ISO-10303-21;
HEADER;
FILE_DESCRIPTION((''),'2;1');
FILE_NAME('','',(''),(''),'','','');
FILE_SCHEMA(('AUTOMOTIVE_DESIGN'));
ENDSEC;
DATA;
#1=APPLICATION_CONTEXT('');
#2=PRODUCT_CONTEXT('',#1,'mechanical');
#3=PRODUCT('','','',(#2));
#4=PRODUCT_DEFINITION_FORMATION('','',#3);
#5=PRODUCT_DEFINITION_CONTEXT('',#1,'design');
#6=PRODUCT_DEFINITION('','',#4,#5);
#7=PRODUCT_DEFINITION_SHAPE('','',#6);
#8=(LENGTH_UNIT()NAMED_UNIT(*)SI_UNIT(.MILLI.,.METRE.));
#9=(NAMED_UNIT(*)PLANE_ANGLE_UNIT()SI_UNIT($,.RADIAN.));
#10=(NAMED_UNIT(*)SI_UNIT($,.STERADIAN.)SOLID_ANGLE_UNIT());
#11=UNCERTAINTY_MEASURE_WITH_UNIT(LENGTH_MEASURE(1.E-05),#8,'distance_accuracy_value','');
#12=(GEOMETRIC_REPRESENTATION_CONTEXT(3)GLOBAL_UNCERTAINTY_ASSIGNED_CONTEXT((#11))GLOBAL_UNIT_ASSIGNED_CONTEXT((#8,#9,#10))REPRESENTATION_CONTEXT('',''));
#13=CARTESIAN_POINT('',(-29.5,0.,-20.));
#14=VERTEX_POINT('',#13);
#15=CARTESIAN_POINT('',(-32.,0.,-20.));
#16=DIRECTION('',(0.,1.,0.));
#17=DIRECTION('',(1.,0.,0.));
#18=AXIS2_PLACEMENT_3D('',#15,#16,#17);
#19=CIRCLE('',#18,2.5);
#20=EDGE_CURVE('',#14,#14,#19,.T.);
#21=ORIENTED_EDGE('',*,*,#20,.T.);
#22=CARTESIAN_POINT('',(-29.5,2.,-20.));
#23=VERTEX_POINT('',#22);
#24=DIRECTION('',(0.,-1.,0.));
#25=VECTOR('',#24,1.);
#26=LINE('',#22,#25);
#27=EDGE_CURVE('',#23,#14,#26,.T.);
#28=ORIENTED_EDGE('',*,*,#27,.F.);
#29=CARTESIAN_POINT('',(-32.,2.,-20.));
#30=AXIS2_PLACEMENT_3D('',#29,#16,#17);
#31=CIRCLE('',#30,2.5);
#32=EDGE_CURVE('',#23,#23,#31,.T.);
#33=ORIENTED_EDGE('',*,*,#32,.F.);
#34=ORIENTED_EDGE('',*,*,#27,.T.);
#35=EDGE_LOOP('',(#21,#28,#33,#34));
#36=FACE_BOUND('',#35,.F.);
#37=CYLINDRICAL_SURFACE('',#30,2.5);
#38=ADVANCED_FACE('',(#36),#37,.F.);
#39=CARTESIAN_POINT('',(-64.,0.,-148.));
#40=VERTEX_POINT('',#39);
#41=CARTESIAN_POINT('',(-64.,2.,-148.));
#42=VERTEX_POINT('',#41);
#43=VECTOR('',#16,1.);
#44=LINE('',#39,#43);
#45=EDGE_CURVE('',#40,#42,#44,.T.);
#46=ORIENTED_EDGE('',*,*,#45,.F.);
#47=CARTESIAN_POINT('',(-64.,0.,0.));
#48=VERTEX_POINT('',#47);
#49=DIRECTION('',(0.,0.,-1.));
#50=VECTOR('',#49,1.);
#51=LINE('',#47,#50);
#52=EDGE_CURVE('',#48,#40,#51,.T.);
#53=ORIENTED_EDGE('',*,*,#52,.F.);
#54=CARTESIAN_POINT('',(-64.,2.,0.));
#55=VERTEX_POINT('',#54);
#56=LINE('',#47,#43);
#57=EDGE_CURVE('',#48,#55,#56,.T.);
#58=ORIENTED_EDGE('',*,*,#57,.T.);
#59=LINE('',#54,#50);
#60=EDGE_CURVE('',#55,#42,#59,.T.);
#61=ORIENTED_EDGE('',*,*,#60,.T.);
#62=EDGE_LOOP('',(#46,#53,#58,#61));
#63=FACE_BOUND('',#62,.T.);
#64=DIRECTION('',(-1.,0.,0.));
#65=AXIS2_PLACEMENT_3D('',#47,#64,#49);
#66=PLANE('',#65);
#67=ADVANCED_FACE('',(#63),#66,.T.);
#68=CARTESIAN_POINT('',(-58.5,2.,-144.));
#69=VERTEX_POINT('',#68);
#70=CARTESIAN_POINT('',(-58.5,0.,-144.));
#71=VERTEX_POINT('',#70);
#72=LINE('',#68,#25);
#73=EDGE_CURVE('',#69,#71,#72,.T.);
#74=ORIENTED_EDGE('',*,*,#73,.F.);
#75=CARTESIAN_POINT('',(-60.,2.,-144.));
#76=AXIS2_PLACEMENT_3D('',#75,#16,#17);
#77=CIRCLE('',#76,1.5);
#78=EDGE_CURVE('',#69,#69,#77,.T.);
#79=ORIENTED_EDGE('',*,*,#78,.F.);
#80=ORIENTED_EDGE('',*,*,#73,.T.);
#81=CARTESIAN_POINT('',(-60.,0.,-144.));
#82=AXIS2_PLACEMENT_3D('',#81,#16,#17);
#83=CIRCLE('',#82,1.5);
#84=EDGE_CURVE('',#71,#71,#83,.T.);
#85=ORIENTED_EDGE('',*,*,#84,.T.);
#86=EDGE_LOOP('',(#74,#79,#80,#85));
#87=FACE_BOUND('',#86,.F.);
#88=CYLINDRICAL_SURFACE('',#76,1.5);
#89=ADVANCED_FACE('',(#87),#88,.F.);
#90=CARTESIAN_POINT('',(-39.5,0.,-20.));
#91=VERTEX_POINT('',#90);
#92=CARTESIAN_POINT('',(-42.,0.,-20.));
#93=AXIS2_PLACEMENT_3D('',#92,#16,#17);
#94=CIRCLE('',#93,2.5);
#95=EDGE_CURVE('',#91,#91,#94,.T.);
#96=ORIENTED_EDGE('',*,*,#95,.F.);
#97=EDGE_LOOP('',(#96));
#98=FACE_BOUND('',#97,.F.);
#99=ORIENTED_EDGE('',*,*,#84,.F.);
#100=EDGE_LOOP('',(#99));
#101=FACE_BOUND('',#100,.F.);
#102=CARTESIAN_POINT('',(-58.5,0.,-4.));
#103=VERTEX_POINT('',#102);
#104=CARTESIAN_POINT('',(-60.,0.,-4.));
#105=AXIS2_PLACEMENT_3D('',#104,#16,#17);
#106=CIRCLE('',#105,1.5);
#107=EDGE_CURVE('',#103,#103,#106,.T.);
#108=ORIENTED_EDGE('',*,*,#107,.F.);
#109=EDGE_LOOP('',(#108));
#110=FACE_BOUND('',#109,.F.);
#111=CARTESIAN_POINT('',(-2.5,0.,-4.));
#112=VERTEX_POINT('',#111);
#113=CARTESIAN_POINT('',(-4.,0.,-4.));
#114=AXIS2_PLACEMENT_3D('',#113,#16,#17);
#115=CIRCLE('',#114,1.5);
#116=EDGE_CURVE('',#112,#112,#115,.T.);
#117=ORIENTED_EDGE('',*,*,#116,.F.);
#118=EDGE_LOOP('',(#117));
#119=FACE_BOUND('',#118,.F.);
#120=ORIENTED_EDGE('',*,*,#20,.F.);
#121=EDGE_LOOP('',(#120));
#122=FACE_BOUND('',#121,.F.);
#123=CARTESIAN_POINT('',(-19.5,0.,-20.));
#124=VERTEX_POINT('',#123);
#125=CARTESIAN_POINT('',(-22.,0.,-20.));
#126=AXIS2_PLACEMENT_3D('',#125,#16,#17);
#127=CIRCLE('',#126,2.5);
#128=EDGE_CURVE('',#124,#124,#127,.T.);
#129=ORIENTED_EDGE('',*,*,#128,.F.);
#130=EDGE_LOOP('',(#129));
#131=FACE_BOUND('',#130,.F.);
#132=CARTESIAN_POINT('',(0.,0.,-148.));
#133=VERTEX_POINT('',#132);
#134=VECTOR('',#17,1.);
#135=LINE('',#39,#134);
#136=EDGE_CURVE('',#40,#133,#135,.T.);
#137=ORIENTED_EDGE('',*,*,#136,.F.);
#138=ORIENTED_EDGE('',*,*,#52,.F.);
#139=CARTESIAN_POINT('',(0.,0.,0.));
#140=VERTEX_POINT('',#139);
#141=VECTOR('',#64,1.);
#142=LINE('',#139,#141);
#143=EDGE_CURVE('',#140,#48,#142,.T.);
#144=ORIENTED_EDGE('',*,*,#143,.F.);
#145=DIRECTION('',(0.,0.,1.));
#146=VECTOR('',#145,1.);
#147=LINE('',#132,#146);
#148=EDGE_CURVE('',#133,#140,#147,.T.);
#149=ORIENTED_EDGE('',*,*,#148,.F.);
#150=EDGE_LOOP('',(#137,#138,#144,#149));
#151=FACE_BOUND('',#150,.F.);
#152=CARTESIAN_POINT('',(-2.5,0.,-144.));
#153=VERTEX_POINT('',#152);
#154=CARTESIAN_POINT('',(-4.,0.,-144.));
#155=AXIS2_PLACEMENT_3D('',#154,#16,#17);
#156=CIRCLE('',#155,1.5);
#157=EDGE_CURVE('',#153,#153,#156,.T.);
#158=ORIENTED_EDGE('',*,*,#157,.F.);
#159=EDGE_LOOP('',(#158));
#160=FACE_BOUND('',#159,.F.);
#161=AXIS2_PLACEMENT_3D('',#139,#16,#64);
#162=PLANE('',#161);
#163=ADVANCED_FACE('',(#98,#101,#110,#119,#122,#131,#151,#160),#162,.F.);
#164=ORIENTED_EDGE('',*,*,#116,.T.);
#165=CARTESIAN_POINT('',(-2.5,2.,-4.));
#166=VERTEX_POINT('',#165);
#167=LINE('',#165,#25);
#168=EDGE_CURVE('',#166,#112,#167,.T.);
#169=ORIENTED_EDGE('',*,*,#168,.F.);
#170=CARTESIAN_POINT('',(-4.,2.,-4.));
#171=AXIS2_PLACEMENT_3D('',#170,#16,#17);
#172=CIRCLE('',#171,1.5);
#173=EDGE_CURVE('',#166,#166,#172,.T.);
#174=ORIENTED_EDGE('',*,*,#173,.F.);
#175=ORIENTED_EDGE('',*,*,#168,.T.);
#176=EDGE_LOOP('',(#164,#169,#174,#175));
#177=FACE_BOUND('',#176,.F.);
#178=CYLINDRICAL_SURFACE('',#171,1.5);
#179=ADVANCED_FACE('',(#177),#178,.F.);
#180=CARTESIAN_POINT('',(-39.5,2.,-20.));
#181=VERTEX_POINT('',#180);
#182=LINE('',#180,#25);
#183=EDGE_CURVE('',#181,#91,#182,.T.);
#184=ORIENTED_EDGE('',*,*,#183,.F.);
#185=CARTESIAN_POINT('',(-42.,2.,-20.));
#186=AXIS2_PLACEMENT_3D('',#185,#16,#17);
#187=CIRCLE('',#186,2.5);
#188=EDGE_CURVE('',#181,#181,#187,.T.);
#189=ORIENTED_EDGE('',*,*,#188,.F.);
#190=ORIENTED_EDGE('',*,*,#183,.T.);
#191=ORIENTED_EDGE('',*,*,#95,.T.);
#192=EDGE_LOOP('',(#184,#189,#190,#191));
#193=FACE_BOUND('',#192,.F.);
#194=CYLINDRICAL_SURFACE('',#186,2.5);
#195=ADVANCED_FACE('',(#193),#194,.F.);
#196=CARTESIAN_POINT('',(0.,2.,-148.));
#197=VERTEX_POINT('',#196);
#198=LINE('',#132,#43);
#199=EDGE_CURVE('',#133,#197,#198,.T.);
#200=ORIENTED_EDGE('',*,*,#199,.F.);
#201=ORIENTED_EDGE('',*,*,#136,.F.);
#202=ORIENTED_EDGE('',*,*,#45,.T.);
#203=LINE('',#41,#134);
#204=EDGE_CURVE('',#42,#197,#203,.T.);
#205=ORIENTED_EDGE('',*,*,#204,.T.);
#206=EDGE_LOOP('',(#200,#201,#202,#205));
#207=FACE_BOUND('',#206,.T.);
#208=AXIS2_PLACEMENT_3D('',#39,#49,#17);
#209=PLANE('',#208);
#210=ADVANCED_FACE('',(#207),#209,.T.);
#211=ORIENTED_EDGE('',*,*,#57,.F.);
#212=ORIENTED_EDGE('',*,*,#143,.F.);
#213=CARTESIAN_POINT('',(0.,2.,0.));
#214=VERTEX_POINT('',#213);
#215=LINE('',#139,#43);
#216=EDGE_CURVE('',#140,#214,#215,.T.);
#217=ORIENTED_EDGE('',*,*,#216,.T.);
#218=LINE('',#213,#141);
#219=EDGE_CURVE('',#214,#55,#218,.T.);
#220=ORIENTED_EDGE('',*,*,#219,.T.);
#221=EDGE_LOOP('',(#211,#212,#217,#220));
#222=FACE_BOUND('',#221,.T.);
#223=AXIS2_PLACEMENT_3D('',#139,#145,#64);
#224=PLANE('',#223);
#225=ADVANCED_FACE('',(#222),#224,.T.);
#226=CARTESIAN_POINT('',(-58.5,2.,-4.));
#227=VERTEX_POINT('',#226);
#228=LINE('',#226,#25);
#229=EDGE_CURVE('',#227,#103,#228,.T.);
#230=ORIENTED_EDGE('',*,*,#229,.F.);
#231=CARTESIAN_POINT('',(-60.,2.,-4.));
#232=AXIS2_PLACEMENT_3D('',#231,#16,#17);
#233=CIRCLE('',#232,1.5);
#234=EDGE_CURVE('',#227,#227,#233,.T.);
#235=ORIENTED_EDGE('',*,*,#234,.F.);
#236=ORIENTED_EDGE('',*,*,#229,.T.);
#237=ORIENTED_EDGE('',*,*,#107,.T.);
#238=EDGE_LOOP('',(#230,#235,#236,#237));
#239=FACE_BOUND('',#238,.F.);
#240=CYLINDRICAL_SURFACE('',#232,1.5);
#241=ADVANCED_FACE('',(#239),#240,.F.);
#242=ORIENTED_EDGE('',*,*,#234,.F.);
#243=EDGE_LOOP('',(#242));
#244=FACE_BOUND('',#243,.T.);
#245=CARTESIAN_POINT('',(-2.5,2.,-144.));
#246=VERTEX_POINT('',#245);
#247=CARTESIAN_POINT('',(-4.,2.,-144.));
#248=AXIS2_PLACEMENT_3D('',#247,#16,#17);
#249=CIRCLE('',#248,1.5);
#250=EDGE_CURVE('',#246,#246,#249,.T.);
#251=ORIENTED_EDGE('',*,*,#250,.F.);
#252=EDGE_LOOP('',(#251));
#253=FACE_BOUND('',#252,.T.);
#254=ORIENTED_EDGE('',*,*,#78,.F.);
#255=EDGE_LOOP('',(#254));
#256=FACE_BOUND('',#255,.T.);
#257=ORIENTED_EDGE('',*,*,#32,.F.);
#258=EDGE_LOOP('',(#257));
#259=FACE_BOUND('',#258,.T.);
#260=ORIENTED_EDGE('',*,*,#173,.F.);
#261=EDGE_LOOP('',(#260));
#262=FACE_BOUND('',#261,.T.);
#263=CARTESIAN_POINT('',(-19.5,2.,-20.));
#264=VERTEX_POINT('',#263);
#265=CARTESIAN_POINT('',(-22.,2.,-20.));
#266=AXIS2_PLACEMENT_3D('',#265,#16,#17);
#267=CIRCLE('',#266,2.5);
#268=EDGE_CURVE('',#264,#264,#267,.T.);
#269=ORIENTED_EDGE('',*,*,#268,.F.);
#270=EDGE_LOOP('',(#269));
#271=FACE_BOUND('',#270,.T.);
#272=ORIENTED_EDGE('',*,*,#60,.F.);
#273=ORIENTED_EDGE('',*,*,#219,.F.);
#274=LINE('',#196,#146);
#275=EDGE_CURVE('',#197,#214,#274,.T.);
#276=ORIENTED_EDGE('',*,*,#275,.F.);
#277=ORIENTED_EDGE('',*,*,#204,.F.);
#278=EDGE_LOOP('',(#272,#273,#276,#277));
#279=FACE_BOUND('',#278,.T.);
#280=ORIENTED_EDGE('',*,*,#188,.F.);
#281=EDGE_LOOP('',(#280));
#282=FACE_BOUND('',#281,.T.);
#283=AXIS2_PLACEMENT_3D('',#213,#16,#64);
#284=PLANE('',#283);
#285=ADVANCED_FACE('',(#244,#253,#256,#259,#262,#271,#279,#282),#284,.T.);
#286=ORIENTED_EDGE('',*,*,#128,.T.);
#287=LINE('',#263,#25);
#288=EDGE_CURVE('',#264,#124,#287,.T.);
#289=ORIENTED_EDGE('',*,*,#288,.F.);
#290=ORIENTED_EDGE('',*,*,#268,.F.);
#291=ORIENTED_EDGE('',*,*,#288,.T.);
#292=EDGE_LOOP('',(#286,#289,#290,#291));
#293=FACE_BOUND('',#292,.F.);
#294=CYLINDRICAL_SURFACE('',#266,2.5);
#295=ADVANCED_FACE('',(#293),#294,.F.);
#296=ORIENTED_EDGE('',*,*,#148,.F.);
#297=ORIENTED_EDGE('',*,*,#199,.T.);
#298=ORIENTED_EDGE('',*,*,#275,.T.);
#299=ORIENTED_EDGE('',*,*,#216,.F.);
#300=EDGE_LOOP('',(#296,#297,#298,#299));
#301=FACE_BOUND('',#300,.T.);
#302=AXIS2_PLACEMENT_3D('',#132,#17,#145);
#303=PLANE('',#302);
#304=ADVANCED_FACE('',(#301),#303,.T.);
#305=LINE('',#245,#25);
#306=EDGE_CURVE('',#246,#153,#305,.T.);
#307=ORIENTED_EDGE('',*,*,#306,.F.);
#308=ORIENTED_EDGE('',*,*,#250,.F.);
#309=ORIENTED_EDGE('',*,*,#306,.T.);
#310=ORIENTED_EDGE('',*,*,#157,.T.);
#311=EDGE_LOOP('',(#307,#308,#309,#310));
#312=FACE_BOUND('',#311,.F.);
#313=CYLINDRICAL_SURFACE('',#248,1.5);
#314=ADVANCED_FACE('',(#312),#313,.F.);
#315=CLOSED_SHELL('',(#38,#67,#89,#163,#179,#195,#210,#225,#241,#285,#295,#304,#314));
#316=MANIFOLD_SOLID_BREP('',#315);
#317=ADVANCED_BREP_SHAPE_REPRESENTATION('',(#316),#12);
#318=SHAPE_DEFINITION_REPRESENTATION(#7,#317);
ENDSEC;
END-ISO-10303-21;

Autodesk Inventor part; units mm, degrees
ref_plane "YZ Plane" through (0, 0, 0) normal (1, 0, 0) x (0, 1, 0)
ref_plane "XZ Plane" through (0, 0, 0) normal (0, 1, 0) x (-1, 0, 0)
ref_plane "XY Plane" through (0, 0, 0) normal (0, 0, 1) x (1, 0, 0)
sketch "Sketch2" plane through (0, 0, 0) normal (0, 1, 0) x (-1, 0, 0)
  line L0 (0, 0) -> (64, 0)
  line L1 (64, 0) -> (64, -148)
  line L2 (64, -148) -> (0, -148)
  line L3 (0, -148) -> (0, 0)
  dimension "d0" = 64
  dimension "d1" = 148
extrude "Extrusion1" add sketch "Sketch2" along normal blind 2
sketch "Sketch3" plane through (0, 2, 0) normal (0, 1, 0) x (1, 0, 0)
  circle A0 centre (-4, 4) radius 1.5
  circle A1 centre (-60, 4) radius 1.5
  circle A2 centre (-60, 144) radius 1.5
  circle A3 centre (-4, 144) radius 1.5
  line L0 (0, 0) -> (0, 148) projected
  line L1 (-64, 0) -> (0, 0) projected
  line L2 (-64, 148) -> (-64, 0) projected
  line L3 (0, 148) -> (-64, 148) projected
  point P0 (0, 0.5)
  point P1 (0, 147.5)
  point P2 (-63.5, 0)
  point P3 (-0.5, 0)
  point P4 (-64, 147.5)
  point P5 (-64, 0.5)
  point P6 (-0.5, 148)
  point P7 (-63.5, 148)
  dimension "d10" = 3
  dimension "d11" = 3
  dimension "d12" = 3
  dimension "d13" = 3
  dimension "d14" = 4
  dimension "d15" = 4
  dimension "d16" = 4
  dimension "d17" = 4
  dimension "d18" = 4
  dimension "d19" = 4
  dimension "d20" = 4
  dimension "d21" = 4
extrude "Extrusion2" cut sketch "Sketch3" against normal blind 2 contours A0 | A1 | A2 | A3
sketch "Sketch4" plane through (0, 2, 0) normal (0, 1, 0) x (1, 0, 0)
  circle A0 centre (-22, 20) radius 2.5
  circle A1 centre (-32, 20) radius 2.5
  circle A2 centre (-42, 20) radius 2.5
  line L0 (0, 0) -> (0, 148) projected
  line L1 (-64, 0) -> (0, 0) projected
  point P0 (0, 0.5)
  point P1 (0, 147.5)
  point P2 (-63.5, 0)
  point P3 (-0.5, 0)
  point P4 (-32, 0)
  dimension "d24" = 5
  dimension "d25" = 5
  dimension "d26" = 5
  dimension "d28" = 32
  dimension "d29" = 10
  dimension "d30" = 10
  dimension "d31" = 20
extrude "Extrusion3" cut sketch "Sketch4" against normal blind 2
properties part number "kotelo_kansi"
